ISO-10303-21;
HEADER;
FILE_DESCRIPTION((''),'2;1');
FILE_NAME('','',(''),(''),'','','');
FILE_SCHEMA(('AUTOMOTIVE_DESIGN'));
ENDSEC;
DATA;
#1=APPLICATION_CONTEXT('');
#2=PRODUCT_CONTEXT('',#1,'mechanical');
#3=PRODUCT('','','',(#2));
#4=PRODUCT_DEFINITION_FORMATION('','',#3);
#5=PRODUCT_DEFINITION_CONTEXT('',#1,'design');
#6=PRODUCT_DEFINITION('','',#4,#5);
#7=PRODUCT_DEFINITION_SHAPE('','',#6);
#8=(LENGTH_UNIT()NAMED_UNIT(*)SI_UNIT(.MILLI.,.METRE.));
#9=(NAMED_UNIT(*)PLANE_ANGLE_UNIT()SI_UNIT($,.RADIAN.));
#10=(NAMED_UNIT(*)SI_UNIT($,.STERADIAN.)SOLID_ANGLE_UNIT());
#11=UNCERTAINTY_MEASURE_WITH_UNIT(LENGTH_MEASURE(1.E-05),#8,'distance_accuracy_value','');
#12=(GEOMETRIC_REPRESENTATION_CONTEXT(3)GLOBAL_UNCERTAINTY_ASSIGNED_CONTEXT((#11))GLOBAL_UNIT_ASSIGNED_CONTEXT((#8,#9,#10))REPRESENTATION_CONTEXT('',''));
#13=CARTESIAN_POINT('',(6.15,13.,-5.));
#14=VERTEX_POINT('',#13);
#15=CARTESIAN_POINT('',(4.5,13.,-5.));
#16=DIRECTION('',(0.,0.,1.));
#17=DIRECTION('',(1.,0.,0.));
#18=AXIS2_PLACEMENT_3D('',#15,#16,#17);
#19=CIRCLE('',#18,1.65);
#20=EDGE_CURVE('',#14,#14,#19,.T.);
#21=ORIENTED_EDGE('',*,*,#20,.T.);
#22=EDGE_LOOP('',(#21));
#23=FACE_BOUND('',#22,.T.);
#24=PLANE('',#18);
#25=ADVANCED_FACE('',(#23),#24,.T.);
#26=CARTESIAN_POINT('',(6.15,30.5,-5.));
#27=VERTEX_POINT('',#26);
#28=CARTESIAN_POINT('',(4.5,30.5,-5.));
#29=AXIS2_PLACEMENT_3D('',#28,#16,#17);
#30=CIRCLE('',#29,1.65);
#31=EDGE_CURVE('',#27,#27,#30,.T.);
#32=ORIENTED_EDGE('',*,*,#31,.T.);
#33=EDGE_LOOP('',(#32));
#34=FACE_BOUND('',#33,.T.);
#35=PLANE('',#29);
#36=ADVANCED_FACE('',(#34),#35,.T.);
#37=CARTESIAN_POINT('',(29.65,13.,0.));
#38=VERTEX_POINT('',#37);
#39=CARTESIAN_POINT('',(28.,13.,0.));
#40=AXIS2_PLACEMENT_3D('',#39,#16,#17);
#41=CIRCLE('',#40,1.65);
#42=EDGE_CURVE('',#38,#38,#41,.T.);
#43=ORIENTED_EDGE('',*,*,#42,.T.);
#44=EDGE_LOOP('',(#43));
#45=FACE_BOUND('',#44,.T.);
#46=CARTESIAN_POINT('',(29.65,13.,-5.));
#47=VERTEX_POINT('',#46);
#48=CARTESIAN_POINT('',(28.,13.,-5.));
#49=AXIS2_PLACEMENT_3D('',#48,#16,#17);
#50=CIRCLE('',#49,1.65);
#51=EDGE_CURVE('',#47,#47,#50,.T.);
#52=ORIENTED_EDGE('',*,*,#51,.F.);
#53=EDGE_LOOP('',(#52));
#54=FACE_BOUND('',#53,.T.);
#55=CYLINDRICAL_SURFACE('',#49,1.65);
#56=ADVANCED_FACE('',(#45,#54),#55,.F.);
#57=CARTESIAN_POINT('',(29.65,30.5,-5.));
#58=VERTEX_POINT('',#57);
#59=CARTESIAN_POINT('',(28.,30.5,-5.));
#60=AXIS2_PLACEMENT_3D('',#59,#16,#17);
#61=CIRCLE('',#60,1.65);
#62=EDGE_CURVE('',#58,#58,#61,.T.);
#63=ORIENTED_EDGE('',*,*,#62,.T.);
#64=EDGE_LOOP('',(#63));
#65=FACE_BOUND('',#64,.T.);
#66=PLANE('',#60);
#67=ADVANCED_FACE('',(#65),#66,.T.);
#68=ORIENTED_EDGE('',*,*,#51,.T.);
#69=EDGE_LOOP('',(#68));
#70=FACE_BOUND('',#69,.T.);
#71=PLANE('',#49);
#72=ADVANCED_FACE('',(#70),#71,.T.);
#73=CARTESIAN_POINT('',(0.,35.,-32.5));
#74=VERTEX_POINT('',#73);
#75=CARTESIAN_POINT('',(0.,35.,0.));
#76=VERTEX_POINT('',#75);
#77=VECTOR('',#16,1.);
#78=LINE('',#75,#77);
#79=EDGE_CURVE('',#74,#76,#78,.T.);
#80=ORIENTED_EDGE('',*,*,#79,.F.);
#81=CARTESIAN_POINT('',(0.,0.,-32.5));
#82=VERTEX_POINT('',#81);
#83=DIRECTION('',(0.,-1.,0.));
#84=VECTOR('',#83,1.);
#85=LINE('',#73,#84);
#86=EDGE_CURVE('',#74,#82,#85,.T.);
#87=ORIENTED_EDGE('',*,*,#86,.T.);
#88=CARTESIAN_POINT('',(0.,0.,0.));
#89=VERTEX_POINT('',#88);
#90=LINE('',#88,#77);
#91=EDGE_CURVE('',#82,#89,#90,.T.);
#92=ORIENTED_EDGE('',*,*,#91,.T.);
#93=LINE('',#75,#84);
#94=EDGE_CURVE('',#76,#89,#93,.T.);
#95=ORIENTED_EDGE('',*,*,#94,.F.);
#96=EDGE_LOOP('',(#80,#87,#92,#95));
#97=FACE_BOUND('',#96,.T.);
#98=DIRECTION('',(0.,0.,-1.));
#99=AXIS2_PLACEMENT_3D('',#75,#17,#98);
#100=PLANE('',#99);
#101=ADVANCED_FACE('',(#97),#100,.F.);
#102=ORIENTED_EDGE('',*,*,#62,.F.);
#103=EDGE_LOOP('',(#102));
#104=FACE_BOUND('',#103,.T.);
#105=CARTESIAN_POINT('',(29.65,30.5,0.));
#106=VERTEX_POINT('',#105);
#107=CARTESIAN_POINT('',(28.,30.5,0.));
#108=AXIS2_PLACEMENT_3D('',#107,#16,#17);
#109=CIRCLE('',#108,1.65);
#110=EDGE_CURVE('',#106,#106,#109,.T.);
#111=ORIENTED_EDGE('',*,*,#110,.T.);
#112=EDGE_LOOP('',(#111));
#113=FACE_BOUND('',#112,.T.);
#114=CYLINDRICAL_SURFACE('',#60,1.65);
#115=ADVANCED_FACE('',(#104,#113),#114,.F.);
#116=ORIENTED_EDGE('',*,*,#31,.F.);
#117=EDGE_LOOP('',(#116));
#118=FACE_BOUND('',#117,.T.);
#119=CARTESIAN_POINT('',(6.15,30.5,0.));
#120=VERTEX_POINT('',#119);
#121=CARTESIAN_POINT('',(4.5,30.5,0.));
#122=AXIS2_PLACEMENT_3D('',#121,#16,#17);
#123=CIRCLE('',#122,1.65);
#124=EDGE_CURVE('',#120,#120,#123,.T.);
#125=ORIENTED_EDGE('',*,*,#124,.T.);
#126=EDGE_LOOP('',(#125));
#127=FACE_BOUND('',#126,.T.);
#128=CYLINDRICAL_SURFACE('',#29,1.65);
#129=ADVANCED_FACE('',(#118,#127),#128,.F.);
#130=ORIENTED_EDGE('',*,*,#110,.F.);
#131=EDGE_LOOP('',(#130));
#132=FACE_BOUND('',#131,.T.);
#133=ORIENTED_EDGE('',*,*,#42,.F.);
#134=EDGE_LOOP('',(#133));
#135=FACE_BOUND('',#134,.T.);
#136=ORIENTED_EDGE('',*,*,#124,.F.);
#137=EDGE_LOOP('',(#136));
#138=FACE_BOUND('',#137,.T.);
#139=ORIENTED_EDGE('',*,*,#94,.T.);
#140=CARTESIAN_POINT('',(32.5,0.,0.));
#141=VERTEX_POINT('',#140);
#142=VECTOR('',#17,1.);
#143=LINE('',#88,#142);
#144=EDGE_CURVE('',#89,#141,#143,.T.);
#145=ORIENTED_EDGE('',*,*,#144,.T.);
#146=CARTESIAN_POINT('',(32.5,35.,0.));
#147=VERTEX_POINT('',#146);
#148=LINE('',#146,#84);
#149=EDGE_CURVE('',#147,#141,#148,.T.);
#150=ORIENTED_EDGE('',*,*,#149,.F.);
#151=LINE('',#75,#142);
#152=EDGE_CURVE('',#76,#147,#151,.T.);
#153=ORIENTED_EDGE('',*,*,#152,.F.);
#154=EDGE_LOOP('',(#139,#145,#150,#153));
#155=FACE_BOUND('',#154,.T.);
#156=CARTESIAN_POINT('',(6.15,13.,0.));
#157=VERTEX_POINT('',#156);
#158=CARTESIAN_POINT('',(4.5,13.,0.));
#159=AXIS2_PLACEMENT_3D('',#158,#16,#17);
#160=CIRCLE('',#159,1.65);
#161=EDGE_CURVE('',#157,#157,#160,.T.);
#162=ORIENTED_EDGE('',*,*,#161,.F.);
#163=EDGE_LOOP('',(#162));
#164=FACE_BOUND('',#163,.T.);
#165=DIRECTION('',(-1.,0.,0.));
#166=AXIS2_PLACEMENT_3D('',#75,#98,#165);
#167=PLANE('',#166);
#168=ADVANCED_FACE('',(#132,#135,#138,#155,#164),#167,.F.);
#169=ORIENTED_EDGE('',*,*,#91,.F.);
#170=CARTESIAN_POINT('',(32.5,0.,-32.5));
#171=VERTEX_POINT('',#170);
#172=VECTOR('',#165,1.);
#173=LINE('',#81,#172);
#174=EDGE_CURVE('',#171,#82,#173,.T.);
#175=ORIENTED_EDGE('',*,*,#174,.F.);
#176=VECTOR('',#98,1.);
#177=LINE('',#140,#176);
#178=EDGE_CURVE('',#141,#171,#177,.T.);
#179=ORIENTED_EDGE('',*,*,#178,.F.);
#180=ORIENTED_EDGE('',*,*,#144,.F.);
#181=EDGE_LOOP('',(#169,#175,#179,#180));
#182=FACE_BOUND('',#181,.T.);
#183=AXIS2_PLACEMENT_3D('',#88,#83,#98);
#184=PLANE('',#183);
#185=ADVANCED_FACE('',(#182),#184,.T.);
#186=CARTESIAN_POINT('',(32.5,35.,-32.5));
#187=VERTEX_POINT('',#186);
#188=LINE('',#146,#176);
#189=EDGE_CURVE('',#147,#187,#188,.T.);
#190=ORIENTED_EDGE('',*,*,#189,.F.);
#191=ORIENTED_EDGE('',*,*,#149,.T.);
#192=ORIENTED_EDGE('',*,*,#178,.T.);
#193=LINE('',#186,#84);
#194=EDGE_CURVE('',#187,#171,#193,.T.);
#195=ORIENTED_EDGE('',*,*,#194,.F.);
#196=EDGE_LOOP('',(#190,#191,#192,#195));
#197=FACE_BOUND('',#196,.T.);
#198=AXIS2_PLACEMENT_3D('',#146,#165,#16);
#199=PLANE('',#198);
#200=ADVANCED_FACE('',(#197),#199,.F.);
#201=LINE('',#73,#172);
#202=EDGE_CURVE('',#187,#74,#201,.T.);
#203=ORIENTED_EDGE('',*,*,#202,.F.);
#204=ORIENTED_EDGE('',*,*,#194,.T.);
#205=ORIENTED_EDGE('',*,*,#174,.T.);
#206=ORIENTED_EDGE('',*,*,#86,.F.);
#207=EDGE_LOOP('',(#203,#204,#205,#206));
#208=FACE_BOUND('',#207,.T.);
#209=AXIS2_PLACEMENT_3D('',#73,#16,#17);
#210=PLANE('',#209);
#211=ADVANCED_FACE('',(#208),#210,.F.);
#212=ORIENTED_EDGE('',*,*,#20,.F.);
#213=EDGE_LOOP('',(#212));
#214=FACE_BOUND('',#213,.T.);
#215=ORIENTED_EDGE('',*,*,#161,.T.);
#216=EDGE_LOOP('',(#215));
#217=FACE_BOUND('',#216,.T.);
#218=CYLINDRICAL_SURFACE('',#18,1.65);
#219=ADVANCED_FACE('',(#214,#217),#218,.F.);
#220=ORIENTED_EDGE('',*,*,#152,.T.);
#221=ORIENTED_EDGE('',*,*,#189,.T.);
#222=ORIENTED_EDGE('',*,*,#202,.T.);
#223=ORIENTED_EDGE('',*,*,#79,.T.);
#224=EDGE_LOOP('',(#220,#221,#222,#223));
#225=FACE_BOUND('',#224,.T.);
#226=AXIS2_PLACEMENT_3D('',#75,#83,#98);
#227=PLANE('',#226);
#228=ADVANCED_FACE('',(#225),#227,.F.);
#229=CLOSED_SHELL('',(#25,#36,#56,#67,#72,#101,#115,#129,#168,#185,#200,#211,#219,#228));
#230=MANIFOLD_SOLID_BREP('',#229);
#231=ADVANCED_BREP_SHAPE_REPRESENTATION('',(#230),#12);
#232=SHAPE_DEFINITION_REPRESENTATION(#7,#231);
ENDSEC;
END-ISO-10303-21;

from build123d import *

# Parameters (mm, degrees)
SKETCH_1_W          = 32.5
SKETCH_1_H          = 32.5
EXTRUDE_1_DEPTH     = 35
SKETCH_2_R          = 1.65
CUT_EXTRUDE_1_DEPTH = 5


with BuildPart() as part:
    # 草图1 → 凸台-拉伸1 (new body)
    with BuildSketch(Plane(origin=(0, 0, 0), x_dir=(1, 0, 0), z_dir=(0, 1, 0))):
        with Locations((16.25, 16.25)):
            Rectangle(SKETCH_1_W, SKETCH_1_H)
    extrude(amount=EXTRUDE_1_DEPTH)

    # 草图2 → 切除-拉伸1 (cut)
    with BuildSketch(Plane.XY):
        with Locations((4.5, 30.5)):
            Circle(SKETCH_2_R)
        with Locations((28, 30.5)):
            Circle(SKETCH_2_R)
        with Locations((4.5, 13)):
            Circle(SKETCH_2_R)
        with Locations((28, 13)):
            Circle(SKETCH_2_R)
    extrude(amount=-CUT_EXTRUDE_1_DEPTH, mode=Mode.SUBTRACT)


solid = part.part
